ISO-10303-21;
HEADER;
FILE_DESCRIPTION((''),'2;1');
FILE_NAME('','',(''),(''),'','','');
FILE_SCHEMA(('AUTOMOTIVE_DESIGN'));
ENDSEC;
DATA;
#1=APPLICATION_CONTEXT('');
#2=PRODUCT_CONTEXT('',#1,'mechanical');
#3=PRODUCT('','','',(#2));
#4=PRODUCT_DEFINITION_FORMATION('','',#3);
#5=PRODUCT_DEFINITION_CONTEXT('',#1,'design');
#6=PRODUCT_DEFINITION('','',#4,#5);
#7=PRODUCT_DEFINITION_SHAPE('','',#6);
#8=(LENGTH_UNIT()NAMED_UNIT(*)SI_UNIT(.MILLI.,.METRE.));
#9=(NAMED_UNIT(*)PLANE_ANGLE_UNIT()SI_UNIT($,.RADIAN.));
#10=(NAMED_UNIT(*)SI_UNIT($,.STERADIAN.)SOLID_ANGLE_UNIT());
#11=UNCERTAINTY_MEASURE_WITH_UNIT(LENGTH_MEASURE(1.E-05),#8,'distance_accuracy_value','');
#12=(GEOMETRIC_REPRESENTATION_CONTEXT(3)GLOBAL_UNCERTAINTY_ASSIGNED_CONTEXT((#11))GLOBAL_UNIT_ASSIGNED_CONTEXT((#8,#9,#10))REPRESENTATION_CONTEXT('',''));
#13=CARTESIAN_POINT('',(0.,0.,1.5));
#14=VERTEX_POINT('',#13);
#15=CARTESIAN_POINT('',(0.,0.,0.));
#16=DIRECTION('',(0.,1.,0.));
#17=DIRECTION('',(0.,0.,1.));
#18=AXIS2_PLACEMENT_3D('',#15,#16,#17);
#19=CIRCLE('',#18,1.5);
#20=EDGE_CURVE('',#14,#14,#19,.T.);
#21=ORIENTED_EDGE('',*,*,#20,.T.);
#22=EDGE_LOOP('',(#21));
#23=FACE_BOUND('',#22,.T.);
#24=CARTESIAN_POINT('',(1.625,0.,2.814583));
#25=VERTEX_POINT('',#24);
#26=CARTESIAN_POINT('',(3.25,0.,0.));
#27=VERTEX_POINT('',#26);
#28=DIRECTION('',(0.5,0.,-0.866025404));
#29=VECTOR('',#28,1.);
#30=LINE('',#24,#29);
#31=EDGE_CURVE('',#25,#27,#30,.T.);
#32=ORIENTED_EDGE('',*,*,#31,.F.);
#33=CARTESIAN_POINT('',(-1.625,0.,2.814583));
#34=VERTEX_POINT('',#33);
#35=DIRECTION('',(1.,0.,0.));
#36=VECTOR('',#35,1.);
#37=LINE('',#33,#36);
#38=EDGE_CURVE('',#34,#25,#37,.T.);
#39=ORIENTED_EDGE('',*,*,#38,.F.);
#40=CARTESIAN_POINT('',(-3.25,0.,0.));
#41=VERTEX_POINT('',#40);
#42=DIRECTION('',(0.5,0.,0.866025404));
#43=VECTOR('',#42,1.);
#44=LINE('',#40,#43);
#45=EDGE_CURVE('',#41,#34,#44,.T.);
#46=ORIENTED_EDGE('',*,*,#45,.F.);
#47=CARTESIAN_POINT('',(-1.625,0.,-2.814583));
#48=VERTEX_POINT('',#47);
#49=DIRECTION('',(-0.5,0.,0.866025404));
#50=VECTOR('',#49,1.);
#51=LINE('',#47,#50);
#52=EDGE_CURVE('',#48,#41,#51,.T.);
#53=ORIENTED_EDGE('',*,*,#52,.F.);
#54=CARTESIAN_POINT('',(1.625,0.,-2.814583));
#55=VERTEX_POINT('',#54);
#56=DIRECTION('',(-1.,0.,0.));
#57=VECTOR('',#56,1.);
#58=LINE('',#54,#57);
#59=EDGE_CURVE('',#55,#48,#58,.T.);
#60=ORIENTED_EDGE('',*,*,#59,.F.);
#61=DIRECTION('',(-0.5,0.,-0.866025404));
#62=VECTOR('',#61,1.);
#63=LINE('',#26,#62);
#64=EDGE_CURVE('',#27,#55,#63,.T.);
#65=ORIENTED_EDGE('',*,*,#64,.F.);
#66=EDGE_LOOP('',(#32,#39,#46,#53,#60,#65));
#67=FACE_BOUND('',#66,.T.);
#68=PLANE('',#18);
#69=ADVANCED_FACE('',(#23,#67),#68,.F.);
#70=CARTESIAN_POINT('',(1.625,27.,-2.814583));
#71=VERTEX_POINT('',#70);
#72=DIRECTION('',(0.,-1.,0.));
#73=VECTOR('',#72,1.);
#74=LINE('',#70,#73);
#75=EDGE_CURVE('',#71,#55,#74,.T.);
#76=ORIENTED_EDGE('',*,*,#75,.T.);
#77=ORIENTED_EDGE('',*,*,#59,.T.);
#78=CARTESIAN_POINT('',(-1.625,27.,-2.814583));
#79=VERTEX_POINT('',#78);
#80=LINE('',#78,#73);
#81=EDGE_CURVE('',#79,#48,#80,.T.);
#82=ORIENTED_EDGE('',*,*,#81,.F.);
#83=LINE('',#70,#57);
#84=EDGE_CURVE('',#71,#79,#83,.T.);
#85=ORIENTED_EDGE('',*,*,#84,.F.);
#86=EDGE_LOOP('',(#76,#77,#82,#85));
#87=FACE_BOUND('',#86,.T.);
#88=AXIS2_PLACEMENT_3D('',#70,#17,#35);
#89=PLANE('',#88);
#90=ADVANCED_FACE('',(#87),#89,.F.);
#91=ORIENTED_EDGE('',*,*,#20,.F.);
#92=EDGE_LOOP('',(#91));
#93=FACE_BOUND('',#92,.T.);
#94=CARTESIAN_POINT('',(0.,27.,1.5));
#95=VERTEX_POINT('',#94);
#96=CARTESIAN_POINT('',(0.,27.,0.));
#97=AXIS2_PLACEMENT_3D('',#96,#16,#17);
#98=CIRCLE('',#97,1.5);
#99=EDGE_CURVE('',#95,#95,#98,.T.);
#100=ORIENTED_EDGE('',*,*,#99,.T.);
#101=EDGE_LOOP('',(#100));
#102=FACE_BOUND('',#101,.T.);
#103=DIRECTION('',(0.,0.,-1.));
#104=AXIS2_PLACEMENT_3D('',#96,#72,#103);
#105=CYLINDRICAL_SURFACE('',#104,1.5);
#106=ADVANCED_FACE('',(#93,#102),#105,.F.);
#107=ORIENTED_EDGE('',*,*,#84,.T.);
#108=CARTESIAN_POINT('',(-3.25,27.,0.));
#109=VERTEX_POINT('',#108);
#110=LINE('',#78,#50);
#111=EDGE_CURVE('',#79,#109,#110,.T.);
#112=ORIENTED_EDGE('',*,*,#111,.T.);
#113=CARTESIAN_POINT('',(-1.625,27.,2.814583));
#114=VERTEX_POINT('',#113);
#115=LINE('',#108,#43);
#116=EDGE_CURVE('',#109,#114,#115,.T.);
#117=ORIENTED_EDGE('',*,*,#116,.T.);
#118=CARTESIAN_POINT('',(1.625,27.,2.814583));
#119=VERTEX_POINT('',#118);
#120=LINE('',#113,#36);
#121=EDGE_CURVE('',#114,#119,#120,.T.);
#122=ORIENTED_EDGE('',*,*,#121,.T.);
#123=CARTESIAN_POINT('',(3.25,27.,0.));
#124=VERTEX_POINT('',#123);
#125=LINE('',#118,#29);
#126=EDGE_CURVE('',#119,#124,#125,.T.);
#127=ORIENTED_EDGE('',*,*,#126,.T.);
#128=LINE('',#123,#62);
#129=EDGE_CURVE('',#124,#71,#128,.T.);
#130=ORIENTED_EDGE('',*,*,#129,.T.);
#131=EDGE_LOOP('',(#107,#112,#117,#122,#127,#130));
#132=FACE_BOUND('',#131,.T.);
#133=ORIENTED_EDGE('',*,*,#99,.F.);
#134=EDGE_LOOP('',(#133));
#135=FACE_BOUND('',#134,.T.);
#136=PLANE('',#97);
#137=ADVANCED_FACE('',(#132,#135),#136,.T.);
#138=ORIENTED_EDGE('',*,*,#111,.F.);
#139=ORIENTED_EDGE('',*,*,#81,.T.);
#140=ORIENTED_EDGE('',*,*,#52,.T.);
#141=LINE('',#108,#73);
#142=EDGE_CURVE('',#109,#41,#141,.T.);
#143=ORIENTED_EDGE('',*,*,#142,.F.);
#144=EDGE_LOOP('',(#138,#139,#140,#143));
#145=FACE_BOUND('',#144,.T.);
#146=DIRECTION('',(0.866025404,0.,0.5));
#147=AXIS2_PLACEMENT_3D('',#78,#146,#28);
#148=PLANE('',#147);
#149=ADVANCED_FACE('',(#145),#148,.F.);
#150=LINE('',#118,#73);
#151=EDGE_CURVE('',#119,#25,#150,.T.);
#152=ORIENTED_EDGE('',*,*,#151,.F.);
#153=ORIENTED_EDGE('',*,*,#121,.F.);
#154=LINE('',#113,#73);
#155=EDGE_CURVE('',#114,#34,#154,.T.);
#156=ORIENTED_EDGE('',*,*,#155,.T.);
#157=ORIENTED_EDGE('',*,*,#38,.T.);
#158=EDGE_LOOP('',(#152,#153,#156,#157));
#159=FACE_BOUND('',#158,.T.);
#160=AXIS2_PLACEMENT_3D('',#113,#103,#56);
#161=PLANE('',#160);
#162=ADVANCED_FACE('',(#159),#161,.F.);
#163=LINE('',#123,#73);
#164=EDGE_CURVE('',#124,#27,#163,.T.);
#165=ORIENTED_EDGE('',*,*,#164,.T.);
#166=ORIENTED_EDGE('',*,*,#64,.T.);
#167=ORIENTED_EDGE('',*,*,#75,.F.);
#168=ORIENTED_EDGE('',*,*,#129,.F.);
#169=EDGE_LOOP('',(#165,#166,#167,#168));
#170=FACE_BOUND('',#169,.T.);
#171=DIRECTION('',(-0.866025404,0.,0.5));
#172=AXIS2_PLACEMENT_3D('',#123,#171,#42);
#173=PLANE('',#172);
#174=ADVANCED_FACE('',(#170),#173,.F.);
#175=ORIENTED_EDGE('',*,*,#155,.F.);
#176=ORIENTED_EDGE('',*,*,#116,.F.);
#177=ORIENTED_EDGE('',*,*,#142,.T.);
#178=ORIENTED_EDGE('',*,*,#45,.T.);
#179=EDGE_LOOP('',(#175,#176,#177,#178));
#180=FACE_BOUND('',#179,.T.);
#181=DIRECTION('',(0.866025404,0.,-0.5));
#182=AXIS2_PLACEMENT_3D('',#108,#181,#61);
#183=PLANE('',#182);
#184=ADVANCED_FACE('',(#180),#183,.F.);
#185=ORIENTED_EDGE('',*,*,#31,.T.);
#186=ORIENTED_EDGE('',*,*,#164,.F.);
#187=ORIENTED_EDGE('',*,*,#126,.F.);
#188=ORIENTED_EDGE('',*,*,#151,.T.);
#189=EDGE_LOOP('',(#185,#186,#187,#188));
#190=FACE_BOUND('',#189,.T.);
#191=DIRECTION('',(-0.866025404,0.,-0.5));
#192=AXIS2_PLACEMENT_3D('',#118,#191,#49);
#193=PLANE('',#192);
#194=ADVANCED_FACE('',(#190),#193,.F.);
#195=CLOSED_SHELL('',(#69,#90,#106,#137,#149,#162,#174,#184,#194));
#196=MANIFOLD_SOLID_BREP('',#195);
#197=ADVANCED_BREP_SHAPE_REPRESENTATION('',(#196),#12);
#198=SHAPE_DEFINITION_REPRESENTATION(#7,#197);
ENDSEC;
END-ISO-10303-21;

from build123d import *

# Parameters (mm, degrees)
SKETCH1_R           = 1.5
BOSS_EXTRUDE1_DEPTH = 27


with BuildPart() as part:
    # Sketch1 → Boss-Extrude1 (new body)
    with BuildSketch(Plane(origin=(0, 0, 0), x_dir=(1, 0, 0), z_dir=(0, 1, 0))):
        Polygon((3.25, 0), (1.625, 2.814582562), (-1.625, 2.814582562), (-3.25, 0), (-1.625, -2.814582562), (1.625, -2.814582562), align=None)
        Circle(SKETCH1_R, mode=Mode.SUBTRACT)
    extrude(amount=BOSS_EXTRUDE1_DEPTH)


solid = part.part
